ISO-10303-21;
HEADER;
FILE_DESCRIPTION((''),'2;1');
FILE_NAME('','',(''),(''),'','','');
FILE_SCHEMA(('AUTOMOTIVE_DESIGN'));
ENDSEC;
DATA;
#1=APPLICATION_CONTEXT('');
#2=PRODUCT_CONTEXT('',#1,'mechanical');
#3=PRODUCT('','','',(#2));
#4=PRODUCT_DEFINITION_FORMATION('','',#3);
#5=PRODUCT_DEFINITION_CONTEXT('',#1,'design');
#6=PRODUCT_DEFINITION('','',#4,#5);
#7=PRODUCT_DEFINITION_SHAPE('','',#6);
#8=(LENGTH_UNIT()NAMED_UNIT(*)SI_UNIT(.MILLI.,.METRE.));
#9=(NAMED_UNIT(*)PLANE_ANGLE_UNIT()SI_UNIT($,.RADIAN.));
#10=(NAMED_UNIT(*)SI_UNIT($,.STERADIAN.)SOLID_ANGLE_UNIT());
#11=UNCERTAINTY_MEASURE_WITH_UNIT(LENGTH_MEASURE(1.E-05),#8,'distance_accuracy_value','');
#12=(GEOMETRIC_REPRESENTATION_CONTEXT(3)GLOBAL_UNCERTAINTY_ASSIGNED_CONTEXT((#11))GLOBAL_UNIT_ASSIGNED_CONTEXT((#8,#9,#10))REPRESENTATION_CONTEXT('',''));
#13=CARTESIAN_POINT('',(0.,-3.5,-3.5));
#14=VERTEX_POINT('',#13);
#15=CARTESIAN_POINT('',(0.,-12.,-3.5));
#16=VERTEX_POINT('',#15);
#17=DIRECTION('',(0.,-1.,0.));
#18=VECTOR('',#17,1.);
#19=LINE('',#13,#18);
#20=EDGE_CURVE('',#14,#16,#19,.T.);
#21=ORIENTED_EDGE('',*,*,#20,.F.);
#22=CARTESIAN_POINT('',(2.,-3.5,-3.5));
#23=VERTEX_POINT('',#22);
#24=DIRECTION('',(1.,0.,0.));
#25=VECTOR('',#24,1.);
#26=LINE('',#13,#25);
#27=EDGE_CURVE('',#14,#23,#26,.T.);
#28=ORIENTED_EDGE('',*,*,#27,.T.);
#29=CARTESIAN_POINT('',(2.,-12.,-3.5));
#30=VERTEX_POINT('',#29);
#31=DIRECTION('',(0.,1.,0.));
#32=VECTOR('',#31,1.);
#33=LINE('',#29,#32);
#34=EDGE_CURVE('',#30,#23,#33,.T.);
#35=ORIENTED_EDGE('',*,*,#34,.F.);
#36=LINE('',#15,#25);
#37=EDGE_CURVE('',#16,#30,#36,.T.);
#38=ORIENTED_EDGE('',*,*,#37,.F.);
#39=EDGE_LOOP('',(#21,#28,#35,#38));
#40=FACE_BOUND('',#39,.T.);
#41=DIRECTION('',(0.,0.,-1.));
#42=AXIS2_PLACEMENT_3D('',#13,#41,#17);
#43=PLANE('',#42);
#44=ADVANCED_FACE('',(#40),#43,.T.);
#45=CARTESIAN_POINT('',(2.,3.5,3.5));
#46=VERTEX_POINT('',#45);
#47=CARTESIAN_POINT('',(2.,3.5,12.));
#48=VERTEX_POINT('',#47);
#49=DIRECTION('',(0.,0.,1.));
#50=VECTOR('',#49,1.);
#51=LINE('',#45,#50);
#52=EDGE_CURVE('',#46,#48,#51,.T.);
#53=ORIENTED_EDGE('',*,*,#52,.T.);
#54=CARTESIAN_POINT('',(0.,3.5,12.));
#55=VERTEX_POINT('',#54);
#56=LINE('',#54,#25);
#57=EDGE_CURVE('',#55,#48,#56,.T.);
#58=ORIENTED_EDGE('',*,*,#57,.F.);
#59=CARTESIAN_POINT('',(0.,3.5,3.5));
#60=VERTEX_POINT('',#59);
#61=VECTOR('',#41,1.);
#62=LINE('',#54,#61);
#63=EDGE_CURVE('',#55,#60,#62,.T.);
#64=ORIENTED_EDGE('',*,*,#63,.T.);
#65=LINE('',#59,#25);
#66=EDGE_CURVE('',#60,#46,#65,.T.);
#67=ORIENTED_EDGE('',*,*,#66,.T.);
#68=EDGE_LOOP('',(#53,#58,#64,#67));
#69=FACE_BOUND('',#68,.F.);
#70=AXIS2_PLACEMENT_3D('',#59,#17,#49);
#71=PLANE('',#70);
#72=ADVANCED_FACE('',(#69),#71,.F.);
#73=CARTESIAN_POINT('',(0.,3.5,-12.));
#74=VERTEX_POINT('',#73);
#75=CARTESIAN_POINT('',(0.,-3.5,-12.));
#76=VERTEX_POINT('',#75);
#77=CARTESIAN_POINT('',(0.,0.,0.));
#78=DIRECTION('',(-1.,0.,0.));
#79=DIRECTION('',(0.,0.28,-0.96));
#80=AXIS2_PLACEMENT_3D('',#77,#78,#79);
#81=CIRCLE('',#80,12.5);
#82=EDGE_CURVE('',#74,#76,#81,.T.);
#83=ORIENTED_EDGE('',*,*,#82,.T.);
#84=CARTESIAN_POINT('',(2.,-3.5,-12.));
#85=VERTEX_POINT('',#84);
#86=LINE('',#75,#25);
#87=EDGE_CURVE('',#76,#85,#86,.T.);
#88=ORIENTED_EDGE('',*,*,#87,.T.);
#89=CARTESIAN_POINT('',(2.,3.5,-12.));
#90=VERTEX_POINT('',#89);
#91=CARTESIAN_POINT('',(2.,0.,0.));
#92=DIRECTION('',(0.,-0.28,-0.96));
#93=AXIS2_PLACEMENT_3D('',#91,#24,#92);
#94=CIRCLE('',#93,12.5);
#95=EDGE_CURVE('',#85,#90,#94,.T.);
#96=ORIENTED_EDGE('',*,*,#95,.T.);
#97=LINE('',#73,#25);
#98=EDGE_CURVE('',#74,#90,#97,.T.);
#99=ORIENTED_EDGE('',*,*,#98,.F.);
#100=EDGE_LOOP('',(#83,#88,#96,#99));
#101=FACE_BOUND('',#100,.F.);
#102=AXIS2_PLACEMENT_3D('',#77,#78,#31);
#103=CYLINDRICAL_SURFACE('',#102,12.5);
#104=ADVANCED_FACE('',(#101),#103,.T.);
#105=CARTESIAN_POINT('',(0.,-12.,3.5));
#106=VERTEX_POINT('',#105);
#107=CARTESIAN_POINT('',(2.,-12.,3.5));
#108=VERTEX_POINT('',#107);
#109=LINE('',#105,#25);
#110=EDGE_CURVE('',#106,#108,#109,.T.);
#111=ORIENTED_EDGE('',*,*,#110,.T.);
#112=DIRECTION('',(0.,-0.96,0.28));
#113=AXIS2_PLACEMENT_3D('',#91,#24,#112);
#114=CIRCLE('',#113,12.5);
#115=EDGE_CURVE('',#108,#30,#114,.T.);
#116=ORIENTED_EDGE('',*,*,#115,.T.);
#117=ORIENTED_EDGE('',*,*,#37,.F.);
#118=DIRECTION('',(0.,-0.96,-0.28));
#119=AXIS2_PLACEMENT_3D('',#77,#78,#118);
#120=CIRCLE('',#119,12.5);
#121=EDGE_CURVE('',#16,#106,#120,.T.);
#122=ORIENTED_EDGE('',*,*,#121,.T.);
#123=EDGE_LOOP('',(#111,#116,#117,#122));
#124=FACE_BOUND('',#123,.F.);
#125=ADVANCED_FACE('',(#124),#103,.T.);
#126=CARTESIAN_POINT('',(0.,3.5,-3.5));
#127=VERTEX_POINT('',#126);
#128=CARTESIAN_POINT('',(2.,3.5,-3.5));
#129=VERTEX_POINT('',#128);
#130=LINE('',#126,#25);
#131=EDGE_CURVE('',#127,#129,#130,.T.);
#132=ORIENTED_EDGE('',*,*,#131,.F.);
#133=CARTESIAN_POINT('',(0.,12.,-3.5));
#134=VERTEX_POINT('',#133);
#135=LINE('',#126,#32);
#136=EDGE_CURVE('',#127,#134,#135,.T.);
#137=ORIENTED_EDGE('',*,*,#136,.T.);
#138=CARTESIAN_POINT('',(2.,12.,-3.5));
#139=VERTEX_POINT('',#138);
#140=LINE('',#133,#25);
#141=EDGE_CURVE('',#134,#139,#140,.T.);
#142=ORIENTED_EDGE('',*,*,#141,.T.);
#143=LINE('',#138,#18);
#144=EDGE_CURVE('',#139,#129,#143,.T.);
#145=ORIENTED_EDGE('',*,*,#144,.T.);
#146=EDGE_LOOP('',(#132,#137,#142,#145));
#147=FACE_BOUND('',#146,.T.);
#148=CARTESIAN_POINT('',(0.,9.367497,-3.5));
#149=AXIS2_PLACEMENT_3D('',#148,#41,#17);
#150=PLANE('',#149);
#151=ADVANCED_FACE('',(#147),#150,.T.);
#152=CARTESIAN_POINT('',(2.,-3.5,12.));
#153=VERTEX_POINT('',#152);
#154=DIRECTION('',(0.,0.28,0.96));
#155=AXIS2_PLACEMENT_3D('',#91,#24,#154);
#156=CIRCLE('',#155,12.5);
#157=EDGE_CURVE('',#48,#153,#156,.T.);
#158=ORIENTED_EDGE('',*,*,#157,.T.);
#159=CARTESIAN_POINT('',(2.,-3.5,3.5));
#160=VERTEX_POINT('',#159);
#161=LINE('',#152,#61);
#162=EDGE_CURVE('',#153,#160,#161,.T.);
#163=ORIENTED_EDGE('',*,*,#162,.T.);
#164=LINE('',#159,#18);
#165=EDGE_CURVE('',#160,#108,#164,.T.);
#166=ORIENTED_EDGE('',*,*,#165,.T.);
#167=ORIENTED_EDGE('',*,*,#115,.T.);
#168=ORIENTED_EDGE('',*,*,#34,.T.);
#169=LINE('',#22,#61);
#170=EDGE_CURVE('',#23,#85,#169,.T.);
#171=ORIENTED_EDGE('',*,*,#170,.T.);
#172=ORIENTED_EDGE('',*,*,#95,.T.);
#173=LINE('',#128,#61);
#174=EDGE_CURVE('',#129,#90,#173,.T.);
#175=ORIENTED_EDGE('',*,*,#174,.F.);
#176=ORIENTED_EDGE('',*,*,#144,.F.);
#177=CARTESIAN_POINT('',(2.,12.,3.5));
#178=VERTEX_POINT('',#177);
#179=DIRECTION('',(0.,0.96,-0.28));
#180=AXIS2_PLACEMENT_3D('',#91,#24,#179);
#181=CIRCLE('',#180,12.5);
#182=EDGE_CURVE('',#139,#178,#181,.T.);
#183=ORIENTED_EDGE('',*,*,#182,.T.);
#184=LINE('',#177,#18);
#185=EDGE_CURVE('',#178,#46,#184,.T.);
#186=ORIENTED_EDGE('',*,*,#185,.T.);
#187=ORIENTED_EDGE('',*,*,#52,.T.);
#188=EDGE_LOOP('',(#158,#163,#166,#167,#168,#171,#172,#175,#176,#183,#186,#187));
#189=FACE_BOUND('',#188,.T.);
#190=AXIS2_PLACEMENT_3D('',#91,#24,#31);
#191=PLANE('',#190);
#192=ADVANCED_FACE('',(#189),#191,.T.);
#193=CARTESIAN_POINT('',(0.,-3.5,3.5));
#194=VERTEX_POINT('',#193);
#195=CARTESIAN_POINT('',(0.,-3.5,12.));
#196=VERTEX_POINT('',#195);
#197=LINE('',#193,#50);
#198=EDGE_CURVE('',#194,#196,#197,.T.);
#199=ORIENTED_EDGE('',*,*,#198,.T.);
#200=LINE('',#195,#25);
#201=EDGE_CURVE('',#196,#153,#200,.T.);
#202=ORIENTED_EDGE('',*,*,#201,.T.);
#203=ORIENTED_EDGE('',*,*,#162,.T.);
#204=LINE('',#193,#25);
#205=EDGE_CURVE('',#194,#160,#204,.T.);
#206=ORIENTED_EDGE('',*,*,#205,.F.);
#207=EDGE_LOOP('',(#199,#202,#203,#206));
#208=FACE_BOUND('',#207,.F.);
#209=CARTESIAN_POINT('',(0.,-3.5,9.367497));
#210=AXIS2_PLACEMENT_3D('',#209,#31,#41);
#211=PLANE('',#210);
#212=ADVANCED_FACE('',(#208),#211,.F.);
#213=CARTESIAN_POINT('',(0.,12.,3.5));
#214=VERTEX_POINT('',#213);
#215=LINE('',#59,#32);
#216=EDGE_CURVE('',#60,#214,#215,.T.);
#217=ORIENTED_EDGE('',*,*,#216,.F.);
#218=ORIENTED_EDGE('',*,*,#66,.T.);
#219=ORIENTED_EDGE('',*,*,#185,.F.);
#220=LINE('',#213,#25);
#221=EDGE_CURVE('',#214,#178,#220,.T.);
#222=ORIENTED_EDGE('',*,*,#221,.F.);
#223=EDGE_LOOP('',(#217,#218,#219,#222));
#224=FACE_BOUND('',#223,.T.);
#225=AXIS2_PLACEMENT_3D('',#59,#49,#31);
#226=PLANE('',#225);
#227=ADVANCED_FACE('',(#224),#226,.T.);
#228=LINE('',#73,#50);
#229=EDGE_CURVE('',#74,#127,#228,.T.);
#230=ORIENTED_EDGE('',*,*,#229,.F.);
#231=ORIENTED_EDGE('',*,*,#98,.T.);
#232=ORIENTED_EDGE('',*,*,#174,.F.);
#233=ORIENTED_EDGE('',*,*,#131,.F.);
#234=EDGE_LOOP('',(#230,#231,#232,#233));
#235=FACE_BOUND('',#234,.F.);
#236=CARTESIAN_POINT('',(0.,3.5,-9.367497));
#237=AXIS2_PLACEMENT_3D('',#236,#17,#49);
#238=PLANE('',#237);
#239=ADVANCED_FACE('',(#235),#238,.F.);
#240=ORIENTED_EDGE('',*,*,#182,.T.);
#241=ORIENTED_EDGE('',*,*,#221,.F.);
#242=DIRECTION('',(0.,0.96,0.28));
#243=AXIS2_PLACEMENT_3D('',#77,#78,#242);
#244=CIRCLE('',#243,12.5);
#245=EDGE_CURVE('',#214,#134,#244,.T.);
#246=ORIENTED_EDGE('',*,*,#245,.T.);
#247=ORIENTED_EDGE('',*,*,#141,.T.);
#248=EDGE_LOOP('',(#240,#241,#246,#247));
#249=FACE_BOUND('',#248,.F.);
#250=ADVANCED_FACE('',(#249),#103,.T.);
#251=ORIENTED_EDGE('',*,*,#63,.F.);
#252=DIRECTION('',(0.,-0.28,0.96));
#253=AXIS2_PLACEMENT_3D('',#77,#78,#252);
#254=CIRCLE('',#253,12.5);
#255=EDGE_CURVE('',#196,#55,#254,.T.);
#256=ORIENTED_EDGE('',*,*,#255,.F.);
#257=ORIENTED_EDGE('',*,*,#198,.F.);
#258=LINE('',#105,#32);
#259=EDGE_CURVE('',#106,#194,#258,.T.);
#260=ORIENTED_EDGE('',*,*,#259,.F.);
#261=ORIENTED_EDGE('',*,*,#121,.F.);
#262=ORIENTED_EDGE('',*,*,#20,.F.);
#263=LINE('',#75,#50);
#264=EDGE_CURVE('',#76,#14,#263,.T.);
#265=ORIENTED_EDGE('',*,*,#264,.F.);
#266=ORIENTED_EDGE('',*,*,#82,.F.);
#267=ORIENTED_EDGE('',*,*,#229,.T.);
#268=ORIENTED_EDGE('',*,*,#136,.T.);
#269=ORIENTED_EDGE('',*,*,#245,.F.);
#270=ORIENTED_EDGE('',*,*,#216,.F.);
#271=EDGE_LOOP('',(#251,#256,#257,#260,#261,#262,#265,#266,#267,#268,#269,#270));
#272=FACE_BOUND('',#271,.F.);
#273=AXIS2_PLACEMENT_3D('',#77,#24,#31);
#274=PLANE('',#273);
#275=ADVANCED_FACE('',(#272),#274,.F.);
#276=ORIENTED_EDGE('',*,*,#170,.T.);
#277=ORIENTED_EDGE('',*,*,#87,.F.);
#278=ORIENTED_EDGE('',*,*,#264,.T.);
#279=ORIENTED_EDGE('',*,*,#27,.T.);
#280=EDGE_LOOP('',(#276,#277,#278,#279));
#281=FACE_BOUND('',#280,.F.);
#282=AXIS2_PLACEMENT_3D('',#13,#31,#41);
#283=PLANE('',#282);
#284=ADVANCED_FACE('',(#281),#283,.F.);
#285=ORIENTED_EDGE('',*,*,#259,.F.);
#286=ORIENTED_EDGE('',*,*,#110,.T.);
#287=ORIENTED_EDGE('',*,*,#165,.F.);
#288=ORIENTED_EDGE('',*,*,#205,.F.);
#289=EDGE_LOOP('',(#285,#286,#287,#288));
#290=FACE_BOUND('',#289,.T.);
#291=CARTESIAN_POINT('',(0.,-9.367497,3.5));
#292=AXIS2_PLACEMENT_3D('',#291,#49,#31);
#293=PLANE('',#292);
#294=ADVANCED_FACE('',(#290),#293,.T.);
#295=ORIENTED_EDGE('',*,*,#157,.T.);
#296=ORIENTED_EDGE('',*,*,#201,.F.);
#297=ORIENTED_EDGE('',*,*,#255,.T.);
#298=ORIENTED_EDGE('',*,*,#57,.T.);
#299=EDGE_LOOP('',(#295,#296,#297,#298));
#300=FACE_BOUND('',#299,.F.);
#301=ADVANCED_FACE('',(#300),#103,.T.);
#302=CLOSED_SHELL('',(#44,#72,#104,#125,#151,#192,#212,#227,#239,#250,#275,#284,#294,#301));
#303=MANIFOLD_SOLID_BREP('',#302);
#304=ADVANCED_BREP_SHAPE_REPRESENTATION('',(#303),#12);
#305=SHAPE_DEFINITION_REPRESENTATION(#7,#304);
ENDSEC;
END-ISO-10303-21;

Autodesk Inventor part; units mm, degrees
ref_plane "YZ Plane" through (0, 0, 0) normal (1, 0, 0) x (0, 1, 0)
ref_plane "XZ Plane" through (0, 0, 0) normal (0, 1, 0) x (-1, 0, 0)
ref_plane "XY Plane" through (0, 0, 0) normal (0, 0, 1) x (1, 0, 0)
sketch "スケッチ1" plane through (0, 0, 0) normal (1, 0, 0) x (0, 1, 0)
  circle A0 centre (0, 0) radius 10
  circle A1 centre (0, 0) radius 12.5
  line L0 (3.5, 12.5) -> (-3.5, 12.5)
  line L1 (-3.5, 12.5) -> (-3.5, -12.5)
  line L2 (-3.5, -12.5) -> (3.5, -12.5)
  line L3 (3.5, -12.5) -> (3.5, 12.5)
  line L4 (3.5, 12.5) -> (-3.5, -12.5) construction
  line L5 (-3.5, 12.5) -> (3.5, -12.5) construction
  line L6 (-12.5, 3.5) -> (12.5, 3.5)
  line L7 (12.5, 3.5) -> (12.5, -3.5)
  line L8 (12.5, -3.5) -> (-12.5, -3.5)
  line L9 (-12.5, -3.5) -> (-12.5, 3.5)
  line L10 (-12.5, 3.5) -> (12.5, -3.5) construction
  line L11 (12.5, 3.5) -> (-12.5, -3.5) construction
  point P0 (12, -3.5)
  point P1 (12, 3.5)
  point P2 (3.5, 3.5)
  point P3 (3.5, 12)
  point P4 (-3.5, 12)
  point P5 (-3.5, 3.5)
  point P6 (-12, 3.5)
  point P7 (-12, -3.5)
  point P8 (-3.5, -3.5)
  point P9 (-3.5, -12)
  point P10 (3.5, -12)
  point P11 (3.5, -3.5)
  dimension "d0" = 20
  dimension "d1" = 25
  dimension "d2" = 7
  dimension "d3" = 25
  dimension "d4" = 25
  dimension "d5" = 7
extrude "押し出し1" add sketch "スケッチ1" along normal blind 2 contours A0 L8 L3 L6 | A0 L6 A1 L8 | L3 L6 L1 A0 | A0 L1 A1 L3 | L3 L8 L1 L6 | L3 A1 L1 A0 | A0 L1 L8 L3 | L1 L8 A0 L6 | A0 L8 A1 L6
equation "\"d5\" = d2"
properties part number "RubberSheet_1"
